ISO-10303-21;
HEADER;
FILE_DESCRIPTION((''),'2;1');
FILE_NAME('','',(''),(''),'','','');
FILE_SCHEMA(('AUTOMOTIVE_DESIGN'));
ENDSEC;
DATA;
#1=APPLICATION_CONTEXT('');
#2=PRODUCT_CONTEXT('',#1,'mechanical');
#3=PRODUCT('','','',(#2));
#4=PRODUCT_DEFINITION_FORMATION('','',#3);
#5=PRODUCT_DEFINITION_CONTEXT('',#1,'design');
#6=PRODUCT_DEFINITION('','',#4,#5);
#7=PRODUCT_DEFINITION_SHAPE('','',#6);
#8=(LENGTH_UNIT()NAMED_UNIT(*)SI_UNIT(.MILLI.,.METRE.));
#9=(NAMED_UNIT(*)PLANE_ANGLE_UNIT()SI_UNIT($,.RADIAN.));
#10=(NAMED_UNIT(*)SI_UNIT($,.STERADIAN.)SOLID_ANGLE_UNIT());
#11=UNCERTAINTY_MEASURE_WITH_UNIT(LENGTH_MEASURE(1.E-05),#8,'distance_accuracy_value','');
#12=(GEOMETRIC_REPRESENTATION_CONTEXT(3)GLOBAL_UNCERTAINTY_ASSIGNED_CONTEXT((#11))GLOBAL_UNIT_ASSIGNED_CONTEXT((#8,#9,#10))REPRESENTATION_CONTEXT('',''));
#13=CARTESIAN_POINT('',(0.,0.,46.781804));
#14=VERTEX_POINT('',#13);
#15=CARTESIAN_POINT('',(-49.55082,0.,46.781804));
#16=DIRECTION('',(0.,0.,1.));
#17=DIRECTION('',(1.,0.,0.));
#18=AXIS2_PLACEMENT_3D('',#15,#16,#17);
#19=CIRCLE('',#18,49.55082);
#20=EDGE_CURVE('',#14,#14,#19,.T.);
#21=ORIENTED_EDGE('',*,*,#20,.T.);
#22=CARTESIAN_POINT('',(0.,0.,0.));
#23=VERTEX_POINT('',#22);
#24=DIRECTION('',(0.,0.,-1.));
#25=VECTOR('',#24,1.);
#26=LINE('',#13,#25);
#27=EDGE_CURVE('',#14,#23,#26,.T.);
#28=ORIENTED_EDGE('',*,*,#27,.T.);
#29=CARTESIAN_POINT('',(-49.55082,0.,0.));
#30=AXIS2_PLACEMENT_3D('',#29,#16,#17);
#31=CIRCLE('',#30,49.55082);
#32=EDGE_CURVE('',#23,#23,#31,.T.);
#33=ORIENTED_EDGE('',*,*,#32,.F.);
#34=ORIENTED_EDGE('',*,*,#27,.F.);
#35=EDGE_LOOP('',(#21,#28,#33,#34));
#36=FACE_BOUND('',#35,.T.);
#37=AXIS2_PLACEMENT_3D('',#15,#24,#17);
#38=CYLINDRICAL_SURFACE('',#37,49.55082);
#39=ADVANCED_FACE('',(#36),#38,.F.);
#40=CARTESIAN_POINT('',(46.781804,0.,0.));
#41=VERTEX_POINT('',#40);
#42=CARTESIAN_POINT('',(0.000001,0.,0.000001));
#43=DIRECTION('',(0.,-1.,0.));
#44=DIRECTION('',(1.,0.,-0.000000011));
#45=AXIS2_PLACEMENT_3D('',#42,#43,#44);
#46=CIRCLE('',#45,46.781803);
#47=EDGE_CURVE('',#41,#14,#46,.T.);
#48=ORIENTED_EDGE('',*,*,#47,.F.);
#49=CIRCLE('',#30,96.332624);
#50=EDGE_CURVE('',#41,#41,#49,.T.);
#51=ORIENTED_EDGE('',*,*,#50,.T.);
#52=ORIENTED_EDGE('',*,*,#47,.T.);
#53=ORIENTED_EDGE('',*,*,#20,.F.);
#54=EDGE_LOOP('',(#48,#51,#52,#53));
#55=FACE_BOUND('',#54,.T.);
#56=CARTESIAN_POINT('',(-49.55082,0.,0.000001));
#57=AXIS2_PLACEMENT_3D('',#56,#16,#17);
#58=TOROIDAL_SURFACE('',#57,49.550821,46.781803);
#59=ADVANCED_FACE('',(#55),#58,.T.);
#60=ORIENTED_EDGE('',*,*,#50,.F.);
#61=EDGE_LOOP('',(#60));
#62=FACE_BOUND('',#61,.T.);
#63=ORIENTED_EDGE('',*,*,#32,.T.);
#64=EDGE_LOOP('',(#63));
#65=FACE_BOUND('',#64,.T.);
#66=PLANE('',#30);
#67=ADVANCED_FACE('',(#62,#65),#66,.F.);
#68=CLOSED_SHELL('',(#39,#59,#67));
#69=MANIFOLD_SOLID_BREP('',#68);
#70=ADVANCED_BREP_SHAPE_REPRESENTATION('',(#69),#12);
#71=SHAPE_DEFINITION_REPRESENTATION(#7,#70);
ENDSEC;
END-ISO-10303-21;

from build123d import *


with BuildPart() as f1:
    # F0 (on Front) → F1 (revolve)
    with BuildSketch(Plane.XZ):
        with BuildLine():
            ThreePointArc((46.781804, 0), (33.079731, 33.079731), (0, 46.781804))
            Line((0, 46.781804), (0, 0))
            Line((0, 0), (46.781804, 0))
        make_face()
    revolve(axis=Axis((-49.55082, 0, 23.390902), (0, 0, 1)))


solid = f1.part
